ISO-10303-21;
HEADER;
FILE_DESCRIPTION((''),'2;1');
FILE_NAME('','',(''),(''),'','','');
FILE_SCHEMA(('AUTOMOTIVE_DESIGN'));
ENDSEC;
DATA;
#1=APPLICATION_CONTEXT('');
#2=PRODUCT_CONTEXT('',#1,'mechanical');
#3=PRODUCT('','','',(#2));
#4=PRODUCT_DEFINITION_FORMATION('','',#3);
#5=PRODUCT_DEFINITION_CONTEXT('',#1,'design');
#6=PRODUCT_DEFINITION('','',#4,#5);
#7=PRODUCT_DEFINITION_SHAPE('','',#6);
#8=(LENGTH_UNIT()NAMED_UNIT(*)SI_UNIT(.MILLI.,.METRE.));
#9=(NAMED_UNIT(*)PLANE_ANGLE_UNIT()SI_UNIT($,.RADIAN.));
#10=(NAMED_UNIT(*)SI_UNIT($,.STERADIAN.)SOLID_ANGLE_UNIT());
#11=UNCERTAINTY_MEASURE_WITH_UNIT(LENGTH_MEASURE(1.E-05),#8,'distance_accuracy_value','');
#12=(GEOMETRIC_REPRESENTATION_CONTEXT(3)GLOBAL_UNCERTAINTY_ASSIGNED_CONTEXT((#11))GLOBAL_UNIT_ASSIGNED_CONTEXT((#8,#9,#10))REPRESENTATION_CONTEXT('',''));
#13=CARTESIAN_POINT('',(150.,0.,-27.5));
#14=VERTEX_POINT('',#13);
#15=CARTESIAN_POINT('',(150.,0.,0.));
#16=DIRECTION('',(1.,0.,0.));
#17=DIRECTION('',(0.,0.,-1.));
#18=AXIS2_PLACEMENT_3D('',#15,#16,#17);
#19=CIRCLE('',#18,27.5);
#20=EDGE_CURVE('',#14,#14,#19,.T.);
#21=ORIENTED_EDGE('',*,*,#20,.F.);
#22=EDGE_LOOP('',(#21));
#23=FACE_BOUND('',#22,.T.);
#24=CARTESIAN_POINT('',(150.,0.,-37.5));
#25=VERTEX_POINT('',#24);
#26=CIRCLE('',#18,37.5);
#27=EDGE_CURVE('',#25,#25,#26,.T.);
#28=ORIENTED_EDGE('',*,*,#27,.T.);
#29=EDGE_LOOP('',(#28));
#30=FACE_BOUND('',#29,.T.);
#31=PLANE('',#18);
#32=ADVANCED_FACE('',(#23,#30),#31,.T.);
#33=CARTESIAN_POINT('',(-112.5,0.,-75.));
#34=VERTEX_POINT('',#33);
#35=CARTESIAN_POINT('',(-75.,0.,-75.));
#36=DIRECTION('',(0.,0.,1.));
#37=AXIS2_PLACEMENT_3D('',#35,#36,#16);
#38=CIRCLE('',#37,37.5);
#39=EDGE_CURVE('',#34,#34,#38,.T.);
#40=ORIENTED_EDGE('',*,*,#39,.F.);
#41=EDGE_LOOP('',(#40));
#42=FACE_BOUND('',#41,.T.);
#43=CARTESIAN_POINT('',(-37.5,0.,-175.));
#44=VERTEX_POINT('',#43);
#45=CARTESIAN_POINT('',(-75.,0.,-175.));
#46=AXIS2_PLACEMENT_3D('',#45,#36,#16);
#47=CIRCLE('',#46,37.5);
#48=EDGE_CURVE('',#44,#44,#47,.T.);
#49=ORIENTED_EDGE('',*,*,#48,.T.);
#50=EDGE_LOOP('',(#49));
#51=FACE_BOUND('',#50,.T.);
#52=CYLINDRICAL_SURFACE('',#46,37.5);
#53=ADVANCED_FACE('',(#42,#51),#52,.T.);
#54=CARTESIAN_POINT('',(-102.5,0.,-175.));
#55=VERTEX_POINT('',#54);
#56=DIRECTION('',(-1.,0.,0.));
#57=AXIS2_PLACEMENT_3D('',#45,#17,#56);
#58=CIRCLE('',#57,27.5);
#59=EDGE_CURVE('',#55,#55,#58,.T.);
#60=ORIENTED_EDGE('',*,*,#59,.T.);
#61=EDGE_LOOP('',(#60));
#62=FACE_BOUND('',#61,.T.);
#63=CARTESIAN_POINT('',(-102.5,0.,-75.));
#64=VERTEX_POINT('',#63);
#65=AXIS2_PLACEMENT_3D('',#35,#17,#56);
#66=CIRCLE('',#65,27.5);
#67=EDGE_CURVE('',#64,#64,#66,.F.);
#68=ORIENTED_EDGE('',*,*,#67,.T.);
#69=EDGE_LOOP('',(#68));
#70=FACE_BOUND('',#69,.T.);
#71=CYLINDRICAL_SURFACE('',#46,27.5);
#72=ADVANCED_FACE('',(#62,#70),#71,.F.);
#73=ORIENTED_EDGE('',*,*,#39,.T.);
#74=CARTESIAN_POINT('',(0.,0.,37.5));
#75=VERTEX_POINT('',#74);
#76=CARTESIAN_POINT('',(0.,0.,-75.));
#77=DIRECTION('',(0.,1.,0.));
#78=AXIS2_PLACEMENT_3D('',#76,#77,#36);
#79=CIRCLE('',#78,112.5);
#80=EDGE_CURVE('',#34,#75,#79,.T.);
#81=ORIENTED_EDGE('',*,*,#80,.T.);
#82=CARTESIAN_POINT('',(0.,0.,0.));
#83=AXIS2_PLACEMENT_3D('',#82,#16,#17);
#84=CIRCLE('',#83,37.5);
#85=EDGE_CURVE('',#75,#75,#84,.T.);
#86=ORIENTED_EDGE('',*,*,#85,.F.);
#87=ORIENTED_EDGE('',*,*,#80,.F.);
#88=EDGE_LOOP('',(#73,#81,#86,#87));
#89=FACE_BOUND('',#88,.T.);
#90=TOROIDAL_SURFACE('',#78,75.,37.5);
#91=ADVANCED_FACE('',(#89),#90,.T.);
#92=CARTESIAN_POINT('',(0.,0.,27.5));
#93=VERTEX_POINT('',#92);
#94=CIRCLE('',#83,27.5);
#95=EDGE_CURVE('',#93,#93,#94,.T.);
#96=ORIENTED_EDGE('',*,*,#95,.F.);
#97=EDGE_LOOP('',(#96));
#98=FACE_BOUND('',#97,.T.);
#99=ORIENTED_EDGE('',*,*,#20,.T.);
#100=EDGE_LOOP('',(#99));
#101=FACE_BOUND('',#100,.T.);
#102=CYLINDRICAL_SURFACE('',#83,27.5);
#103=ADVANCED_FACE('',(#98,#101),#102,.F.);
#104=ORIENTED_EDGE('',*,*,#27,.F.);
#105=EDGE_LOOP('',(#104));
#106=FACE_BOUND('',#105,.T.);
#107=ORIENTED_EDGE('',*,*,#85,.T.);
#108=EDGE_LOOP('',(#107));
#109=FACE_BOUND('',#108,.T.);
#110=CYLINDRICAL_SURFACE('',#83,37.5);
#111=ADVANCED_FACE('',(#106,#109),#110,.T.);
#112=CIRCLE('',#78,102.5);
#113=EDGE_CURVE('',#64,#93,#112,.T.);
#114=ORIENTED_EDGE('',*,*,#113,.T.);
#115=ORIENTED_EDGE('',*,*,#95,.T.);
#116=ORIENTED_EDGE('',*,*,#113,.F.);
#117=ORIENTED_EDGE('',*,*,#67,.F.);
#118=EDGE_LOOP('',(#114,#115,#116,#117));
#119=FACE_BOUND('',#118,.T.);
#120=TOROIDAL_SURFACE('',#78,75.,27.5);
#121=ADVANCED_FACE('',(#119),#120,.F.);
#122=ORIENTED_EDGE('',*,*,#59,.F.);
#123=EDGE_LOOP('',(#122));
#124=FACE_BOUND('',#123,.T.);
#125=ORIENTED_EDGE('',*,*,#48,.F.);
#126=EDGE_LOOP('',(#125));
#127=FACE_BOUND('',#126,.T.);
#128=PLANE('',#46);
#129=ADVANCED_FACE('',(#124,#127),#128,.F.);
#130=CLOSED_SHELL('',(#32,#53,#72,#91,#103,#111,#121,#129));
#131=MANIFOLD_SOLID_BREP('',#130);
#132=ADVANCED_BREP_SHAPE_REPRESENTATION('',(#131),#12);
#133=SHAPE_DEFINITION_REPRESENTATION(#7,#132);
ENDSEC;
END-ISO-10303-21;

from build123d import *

# Parameters (mm, degrees)
SWEEP1_PROFILE_R   = 37.5
SHELL1_T           = -10
CUT_EXTRUDE1_REACH = 264.797
SKETCH4_R          = 27.5


with BuildPart() as part:
    # Sweep1: sweep along a path in Sketch2
    with BuildLine(Plane(origin=(0, 0, 0), x_dir=(1, 0, 0), z_dir=(0, 1, 0))) as sweep1_path:
        Line((150, 0), (0, 0))
        ThreePointArc((0, 0), (-53.033008589, 21.966991411), (-75, 75))
        Line((-75, 75), (-75, 175))
    # Sweep1 profile (on start of the path) → Sweep1 (sweep)
    with BuildSketch(Plane(origin=(150, 0, 0), x_dir=(0, 0, -1), z_dir=(-1, 0, 0))):
        Circle(SWEEP1_PROFILE_R)
    sweep(path=sweep1_path.line)

    # Shell1
    shell1_openings = [part.faces().sort_by_distance(p)[0] for p in [
        (150, 0, 0),
    ]]
    offset(amount=SHELL1_T, openings=shell1_openings, kind=Kind.INTERSECTION)

    # Sketch4 → Cut-Extrude1 (cut, up to next)
    with BuildSketch(Plane(origin=(0, 0, -175), x_dir=(-1, 0, 0), z_dir=(0, 0, -1)), mode=Mode.PRIVATE) as cut_extrude1_sk1:
        with Locations((75, 0)):
            Circle(SKETCH4_R)
    cut_extrude1_tool1 = extrude(cut_extrude1_sk1.sketch, amount=-CUT_EXTRUDE1_REACH, mode=Mode.PRIVATE) & part.part
    add(cut_extrude1_tool1.solids().sort_by_distance((-75, 0, -175))[0], mode=Mode.SUBTRACT)


solid = part.part
